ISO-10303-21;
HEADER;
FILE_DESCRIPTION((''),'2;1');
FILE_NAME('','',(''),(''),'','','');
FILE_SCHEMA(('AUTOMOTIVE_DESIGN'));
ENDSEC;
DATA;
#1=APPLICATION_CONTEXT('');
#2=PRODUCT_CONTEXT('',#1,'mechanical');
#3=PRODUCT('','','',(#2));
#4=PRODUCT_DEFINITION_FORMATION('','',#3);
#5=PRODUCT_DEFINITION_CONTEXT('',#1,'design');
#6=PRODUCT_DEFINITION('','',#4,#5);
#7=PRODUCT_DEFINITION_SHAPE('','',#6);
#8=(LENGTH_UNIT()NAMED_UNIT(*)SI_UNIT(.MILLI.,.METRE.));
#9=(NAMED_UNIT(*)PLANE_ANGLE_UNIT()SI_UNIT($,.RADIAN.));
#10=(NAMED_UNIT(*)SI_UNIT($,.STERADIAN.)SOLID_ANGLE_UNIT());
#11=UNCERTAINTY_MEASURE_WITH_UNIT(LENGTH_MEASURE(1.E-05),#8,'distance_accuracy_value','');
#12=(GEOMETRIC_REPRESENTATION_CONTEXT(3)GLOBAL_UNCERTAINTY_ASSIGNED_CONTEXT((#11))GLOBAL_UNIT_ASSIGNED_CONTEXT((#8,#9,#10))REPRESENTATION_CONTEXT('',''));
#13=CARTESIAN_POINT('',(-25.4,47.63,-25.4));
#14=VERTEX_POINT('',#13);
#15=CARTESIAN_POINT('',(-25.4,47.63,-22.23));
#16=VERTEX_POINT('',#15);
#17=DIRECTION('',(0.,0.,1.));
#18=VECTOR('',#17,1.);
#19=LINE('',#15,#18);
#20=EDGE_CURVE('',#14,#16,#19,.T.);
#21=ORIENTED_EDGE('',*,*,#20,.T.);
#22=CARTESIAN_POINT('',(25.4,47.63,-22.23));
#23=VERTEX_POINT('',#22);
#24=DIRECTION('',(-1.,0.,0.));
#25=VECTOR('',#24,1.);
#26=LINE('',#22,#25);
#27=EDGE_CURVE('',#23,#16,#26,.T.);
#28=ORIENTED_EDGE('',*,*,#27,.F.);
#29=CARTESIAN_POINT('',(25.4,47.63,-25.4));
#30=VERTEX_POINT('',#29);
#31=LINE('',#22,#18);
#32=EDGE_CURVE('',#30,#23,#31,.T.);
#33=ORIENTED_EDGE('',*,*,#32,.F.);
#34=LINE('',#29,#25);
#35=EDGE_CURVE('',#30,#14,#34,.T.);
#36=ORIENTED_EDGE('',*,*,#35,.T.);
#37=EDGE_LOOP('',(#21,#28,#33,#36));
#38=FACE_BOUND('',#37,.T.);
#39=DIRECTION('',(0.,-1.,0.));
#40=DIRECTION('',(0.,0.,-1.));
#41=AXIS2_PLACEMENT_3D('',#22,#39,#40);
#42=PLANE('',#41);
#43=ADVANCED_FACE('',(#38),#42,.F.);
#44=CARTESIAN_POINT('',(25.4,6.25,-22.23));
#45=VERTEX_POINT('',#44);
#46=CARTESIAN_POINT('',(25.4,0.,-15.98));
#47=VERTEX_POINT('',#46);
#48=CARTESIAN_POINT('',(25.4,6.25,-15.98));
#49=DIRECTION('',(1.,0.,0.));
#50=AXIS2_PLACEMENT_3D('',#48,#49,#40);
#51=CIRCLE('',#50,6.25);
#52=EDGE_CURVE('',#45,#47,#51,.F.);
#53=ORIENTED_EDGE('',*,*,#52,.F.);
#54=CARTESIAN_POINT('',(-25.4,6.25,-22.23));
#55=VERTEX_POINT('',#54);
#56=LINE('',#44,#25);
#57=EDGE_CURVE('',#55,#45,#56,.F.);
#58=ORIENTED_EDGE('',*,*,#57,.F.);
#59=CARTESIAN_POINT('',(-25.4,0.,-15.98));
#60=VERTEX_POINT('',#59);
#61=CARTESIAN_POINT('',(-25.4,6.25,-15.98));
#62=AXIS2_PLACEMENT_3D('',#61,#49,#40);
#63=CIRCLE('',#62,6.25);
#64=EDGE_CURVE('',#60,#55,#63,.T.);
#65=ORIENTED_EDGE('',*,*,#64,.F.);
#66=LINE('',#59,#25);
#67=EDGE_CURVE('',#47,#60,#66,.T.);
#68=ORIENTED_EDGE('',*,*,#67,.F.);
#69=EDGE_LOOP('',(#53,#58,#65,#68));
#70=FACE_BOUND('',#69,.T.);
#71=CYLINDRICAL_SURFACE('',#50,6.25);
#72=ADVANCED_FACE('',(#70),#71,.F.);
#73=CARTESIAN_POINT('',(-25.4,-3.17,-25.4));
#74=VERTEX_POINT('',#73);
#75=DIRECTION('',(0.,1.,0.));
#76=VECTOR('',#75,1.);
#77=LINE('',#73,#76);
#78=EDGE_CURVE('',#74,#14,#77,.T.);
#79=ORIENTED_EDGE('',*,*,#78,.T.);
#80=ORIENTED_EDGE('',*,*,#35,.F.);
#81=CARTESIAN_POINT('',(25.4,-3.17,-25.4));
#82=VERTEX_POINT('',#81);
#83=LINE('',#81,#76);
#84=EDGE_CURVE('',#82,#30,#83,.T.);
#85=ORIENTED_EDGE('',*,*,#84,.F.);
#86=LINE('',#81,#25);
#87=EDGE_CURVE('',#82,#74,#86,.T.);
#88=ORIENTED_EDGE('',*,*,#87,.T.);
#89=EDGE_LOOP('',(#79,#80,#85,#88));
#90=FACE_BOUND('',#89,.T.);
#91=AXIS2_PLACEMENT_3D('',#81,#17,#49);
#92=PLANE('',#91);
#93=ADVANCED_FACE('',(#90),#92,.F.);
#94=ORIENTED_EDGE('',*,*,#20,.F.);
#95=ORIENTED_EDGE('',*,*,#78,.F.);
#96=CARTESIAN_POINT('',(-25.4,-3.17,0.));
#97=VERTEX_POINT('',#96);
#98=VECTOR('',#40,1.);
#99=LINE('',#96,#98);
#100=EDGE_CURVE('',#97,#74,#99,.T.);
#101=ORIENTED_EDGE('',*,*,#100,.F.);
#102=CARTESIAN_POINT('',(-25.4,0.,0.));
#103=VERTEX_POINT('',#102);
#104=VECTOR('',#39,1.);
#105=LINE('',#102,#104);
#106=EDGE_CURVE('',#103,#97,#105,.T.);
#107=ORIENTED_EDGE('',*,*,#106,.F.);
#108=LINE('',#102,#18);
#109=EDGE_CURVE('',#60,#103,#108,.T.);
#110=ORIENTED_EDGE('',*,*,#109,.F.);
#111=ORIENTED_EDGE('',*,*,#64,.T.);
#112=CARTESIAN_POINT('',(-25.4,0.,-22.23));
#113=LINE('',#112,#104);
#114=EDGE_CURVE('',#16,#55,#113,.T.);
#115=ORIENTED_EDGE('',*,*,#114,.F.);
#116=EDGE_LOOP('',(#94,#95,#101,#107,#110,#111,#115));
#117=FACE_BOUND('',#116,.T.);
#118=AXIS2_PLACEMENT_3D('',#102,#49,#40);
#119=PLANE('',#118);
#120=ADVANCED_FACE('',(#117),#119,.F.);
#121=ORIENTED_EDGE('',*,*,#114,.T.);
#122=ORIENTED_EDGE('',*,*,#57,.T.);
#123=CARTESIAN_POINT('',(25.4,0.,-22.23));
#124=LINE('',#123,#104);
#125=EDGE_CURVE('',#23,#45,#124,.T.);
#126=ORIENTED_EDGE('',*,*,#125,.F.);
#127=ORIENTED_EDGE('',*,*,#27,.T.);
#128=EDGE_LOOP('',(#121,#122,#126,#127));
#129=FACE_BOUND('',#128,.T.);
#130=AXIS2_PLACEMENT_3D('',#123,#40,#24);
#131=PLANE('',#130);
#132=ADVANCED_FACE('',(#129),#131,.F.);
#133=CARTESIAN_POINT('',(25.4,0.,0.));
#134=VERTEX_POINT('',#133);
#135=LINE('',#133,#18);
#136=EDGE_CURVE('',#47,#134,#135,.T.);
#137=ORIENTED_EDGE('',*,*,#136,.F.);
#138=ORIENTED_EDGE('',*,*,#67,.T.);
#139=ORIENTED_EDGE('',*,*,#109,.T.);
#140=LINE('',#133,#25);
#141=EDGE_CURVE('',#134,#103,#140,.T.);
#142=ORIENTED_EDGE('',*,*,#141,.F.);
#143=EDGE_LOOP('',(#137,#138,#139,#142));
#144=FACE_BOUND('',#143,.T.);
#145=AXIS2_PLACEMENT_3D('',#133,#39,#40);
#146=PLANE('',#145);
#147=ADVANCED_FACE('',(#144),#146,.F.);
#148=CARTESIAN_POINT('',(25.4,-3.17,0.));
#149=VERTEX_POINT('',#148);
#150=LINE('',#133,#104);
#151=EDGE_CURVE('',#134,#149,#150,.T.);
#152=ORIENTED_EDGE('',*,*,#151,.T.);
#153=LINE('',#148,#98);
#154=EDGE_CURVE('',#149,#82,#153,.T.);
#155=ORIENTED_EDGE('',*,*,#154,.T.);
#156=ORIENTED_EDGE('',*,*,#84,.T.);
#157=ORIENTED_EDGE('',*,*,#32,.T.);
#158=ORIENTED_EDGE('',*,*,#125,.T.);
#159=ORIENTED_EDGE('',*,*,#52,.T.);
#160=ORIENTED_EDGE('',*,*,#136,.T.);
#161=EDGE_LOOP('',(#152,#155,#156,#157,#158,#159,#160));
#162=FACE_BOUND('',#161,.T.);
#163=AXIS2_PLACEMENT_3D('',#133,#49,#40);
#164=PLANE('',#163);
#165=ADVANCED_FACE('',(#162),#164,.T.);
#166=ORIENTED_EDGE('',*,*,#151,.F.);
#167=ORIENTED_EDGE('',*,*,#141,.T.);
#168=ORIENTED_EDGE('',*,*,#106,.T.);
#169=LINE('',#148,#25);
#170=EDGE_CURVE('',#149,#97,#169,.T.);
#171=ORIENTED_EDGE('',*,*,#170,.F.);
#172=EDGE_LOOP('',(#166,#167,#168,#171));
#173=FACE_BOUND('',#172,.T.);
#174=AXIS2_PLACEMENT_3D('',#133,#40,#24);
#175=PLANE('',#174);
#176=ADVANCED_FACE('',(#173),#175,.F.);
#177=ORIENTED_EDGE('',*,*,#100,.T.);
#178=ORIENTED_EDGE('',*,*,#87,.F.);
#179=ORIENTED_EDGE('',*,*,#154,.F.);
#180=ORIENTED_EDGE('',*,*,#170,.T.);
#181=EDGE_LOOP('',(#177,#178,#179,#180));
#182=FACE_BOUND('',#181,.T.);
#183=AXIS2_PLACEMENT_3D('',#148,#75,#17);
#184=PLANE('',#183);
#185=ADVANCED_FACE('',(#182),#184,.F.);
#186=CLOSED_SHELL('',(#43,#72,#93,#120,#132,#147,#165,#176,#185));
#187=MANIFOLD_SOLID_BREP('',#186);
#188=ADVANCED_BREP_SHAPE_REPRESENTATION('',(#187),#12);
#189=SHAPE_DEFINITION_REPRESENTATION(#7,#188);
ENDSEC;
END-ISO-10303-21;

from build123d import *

# Parameters (mm, degrees)
BOSS_EXTRUDE1_DEPTH = 25.4
FILLET1_R           = 6.25


with BuildPart() as part:
    # Sketch1 → Boss-Extrude1 (new body, symmetric)
    with BuildSketch(Plane(origin=(0, 0, 0), x_dir=(0, 0, -1), z_dir=(1, 0, 0))):
        Polygon((0, 0), (22.23, 0), (22.23, 47.63), (25.4, 47.63), (25.4, -3.17), (0, -3.17), align=None)
    extrude(amount=BOSS_EXTRUDE1_DEPTH, both=True)

    # Fillet1
    fillet1_edges = [part.edges().sort_by_distance(p)[0] for p in [
        (0, 0, -22.23),
    ]]
    fillet(fillet1_edges, radius=FILLET1_R)


solid = part.part
